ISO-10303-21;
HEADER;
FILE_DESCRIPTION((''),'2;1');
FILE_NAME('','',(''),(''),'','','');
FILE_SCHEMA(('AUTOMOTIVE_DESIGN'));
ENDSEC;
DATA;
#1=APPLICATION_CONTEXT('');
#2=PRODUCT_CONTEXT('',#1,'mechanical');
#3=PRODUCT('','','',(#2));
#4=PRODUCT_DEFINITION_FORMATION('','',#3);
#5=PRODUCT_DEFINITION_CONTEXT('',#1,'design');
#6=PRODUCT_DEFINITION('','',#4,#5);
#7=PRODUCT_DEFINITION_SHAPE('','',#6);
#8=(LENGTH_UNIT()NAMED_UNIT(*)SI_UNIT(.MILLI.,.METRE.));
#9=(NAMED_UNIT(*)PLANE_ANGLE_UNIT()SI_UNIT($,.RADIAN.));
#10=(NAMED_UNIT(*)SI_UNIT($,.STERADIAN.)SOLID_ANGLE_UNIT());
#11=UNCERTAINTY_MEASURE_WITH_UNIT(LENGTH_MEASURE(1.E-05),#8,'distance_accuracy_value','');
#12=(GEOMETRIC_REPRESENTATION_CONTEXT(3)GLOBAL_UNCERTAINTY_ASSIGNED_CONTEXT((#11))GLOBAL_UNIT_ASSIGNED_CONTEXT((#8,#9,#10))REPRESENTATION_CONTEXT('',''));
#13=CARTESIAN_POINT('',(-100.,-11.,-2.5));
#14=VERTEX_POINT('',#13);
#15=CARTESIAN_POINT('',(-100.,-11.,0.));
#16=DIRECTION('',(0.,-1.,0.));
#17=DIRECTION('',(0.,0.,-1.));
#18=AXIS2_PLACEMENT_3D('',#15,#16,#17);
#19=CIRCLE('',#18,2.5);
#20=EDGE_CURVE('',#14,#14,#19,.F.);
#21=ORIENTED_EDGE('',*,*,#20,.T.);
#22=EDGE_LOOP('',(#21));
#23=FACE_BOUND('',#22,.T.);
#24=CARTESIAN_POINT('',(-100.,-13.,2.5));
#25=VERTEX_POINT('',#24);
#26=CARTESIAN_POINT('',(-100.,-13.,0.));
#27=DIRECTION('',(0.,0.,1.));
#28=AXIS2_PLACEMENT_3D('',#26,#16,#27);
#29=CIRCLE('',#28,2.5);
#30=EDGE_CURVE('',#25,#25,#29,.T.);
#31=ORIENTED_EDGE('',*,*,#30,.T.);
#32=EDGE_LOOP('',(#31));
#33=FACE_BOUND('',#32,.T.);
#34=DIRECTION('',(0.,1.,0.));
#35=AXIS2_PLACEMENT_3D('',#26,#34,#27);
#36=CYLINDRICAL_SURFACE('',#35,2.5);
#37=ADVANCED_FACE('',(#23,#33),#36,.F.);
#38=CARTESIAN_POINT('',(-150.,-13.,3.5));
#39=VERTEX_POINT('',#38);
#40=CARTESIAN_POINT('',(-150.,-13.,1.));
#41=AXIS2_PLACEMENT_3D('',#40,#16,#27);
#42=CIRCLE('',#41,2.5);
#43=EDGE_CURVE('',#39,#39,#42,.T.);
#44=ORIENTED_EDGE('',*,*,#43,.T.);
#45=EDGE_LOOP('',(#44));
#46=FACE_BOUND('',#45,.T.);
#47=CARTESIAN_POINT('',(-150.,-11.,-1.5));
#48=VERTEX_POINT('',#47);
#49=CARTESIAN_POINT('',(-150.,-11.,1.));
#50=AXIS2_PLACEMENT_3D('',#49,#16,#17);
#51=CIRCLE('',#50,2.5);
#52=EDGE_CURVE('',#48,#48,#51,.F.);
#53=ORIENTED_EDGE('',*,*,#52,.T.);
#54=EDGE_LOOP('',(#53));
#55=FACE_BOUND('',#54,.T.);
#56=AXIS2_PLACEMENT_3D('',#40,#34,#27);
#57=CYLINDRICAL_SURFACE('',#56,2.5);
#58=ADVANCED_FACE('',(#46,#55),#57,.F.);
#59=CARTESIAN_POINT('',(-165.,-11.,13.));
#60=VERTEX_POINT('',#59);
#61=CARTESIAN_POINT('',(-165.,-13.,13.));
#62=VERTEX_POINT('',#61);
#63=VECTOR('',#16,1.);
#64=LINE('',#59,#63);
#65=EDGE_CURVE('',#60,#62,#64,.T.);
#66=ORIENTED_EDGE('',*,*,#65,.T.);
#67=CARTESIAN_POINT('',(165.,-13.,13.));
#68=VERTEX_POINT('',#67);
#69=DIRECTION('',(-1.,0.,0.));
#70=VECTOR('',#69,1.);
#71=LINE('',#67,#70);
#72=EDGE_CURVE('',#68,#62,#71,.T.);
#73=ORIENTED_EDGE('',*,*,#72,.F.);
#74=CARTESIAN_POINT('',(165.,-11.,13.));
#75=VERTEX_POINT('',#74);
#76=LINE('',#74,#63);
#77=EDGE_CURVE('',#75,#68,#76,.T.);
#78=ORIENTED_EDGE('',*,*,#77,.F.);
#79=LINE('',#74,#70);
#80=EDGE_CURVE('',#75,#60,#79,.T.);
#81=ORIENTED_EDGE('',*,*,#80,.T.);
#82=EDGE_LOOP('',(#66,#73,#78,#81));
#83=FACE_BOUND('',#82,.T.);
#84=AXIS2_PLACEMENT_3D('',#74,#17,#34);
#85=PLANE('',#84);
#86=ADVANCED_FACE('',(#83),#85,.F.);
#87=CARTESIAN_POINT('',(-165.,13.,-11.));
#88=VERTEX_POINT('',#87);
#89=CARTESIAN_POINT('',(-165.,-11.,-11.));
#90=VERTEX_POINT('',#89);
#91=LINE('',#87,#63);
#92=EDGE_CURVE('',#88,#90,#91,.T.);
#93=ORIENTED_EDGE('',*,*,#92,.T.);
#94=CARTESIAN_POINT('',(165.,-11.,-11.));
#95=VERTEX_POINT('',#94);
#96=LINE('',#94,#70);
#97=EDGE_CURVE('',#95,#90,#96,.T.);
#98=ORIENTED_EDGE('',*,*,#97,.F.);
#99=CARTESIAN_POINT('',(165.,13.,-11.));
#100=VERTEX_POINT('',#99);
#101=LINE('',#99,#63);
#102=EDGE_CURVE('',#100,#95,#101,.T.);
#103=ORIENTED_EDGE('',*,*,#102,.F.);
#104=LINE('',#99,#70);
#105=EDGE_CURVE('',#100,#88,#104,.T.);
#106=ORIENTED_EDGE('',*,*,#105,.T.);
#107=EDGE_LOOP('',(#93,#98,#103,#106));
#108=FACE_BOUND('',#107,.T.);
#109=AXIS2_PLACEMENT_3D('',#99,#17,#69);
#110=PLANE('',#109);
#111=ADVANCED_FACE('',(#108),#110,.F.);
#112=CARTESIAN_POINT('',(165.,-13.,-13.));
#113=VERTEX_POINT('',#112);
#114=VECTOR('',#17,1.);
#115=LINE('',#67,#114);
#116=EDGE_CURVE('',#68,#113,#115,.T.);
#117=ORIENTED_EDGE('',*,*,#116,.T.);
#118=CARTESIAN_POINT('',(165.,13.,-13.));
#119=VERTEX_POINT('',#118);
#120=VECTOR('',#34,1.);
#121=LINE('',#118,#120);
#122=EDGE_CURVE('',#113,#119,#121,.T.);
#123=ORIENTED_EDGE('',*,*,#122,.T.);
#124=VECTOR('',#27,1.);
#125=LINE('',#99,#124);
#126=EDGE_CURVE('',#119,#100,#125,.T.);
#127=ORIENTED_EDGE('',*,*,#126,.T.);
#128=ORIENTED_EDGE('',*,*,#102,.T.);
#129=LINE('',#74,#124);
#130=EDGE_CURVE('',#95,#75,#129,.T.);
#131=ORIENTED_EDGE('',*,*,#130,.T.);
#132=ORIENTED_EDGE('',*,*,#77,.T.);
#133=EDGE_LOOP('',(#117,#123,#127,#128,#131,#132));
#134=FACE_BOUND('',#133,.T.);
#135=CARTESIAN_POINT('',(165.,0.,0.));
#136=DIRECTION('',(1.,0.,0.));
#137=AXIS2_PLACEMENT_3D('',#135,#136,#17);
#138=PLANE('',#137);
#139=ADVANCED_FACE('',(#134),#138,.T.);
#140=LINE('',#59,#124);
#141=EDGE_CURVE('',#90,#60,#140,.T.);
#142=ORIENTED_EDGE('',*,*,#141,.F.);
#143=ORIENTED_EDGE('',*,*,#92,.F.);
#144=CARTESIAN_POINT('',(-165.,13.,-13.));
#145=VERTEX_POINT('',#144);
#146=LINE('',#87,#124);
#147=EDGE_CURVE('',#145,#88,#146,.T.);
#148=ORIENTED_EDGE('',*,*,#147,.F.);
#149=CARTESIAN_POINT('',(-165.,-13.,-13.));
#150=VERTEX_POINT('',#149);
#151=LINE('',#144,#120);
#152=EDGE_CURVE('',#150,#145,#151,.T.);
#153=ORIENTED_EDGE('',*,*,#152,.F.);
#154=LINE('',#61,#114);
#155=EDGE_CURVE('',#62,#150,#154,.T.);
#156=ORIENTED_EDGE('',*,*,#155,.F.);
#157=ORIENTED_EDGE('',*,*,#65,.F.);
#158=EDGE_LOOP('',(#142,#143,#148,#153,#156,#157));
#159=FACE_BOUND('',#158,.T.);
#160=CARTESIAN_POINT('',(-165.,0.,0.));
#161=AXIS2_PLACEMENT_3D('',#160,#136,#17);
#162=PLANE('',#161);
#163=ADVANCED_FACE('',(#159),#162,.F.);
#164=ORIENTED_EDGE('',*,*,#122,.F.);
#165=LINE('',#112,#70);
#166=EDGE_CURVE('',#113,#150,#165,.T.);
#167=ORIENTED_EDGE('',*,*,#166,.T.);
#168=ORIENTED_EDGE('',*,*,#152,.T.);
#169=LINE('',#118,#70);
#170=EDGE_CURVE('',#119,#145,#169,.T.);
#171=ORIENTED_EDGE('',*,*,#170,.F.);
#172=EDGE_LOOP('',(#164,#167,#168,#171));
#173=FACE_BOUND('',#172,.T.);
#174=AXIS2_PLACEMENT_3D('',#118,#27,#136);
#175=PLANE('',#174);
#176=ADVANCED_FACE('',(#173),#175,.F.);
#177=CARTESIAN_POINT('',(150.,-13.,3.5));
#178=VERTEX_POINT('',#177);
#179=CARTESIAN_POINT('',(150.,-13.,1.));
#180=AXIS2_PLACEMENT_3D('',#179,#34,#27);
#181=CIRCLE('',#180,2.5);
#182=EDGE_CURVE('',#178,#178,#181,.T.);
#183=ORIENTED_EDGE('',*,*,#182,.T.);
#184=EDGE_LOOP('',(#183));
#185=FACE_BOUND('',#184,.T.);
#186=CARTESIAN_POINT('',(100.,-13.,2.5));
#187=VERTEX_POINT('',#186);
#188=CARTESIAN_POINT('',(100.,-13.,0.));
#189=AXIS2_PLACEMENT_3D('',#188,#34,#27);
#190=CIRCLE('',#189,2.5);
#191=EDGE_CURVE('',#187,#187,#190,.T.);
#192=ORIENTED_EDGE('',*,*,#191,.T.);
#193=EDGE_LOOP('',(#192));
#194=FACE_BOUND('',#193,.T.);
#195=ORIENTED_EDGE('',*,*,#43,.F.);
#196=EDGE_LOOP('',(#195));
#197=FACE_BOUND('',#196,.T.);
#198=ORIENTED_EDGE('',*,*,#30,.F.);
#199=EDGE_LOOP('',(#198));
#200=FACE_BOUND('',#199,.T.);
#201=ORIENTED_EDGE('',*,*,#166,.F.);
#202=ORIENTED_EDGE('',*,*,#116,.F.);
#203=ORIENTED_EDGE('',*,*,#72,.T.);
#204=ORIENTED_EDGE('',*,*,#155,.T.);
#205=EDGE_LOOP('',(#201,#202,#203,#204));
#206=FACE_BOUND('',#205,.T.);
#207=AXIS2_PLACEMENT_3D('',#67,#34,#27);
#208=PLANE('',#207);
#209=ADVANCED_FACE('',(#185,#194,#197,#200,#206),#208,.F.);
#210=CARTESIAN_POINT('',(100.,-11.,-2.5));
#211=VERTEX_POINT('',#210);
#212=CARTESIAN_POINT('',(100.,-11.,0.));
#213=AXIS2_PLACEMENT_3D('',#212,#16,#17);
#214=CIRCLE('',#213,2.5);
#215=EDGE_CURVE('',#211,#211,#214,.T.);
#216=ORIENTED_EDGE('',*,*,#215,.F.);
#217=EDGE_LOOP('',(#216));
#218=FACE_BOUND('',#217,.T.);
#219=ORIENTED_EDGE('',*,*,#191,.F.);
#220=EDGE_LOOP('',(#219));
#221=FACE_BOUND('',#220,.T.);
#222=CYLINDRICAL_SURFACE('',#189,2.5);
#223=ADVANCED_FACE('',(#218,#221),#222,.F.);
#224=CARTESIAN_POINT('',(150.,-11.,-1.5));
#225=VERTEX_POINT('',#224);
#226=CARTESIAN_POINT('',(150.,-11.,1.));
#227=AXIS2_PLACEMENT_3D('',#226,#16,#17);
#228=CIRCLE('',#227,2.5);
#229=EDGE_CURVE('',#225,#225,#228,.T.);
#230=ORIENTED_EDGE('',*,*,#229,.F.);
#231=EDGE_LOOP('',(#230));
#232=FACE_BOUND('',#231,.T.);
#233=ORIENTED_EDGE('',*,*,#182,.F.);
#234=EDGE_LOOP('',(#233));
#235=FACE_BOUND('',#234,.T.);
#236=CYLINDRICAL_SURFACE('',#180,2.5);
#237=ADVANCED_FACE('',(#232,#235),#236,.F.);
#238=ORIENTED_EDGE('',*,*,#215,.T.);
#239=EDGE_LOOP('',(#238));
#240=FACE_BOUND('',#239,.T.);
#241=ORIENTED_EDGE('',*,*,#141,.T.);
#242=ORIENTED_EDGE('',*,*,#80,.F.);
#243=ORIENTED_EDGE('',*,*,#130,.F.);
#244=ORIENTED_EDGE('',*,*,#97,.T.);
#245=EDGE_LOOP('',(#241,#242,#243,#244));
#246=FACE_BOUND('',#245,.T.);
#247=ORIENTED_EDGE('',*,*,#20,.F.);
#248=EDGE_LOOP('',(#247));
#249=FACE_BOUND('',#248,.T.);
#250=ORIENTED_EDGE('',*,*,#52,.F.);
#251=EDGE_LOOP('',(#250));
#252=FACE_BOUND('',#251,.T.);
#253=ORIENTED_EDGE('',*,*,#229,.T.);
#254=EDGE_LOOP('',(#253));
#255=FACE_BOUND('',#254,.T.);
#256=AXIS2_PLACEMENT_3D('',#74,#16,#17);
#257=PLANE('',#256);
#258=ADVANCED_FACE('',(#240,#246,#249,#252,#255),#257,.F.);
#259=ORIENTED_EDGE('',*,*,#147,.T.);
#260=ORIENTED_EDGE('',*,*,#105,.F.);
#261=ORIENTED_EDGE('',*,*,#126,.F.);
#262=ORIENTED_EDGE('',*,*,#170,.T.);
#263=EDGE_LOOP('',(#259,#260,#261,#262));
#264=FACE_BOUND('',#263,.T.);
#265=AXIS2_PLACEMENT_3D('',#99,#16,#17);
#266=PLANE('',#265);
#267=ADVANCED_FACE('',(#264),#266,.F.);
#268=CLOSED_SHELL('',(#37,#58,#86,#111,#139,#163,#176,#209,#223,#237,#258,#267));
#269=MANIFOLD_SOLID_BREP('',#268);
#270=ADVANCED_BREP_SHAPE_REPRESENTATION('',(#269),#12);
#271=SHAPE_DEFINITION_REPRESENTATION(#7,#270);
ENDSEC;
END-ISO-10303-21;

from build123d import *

# Parameters (mm, degrees)
BOSS_EXTRUDE1_DEPTH = 165
SKETCH2_R           = 2.5
CUT_EXTRUDE1_DEPTH  = 167.021082999
SKETCH3_R           = 2.5
CUT_EXTRUDE2_DEPTH  = 167.021082999


with BuildPart() as part:
    # Sketch1 → Boss-Extrude1 (new, symmetric)
    with BuildSketch(Plane(origin=(0, 0, 0), x_dir=(0, 0, -1), z_dir=(1, 0, 0))):
        Polygon((11, 13), (13, 13), (13, -13), (-13, -13), (-13, -11), (11, -11), align=None)
    extrude(amount=BOSS_EXTRUDE1_DEPTH, both=True)

    # Sketch2 → Cut-Extrude1 (cut, through all)
    with BuildSketch(Plane(origin=(0, 0, 0), x_dir=(1, 0, 0), z_dir=(0, 1, 0))):
        with Locations(Location((150, -1, 0), (0, 0, 270))):
            Circle(SKETCH2_R)
    cut_extrude1 = extrude(amount=-CUT_EXTRUDE1_DEPTH, mode=Mode.SUBTRACT)

    # Mirror1: Cut-Extrude1 across plane
    add(cut_extrude1.mirror(Plane(origin=(0, 0, 0), x_dir=(0, 0, 1), z_dir=(1, 0, 0))), mode=Mode.SUBTRACT)

    # Sketch3 → Cut-Extrude2 (cut, through all)
    with BuildSketch(Plane(origin=(0, 0, 0), x_dir=(1, 0, 0), z_dir=(0, 1, 0))):
        with Locations(Location((100, 0, 0), (0, 0, 270))):
            Circle(SKETCH3_R)
    cut_extrude2 = extrude(amount=-CUT_EXTRUDE2_DEPTH, mode=Mode.SUBTRACT)

    # Mirror2: Cut-Extrude2 across plane
    add(cut_extrude2.mirror(Plane(origin=(0, 0, 0), x_dir=(0, 0, 1), z_dir=(1, 0, 0))), mode=Mode.SUBTRACT)


solid = part.part
